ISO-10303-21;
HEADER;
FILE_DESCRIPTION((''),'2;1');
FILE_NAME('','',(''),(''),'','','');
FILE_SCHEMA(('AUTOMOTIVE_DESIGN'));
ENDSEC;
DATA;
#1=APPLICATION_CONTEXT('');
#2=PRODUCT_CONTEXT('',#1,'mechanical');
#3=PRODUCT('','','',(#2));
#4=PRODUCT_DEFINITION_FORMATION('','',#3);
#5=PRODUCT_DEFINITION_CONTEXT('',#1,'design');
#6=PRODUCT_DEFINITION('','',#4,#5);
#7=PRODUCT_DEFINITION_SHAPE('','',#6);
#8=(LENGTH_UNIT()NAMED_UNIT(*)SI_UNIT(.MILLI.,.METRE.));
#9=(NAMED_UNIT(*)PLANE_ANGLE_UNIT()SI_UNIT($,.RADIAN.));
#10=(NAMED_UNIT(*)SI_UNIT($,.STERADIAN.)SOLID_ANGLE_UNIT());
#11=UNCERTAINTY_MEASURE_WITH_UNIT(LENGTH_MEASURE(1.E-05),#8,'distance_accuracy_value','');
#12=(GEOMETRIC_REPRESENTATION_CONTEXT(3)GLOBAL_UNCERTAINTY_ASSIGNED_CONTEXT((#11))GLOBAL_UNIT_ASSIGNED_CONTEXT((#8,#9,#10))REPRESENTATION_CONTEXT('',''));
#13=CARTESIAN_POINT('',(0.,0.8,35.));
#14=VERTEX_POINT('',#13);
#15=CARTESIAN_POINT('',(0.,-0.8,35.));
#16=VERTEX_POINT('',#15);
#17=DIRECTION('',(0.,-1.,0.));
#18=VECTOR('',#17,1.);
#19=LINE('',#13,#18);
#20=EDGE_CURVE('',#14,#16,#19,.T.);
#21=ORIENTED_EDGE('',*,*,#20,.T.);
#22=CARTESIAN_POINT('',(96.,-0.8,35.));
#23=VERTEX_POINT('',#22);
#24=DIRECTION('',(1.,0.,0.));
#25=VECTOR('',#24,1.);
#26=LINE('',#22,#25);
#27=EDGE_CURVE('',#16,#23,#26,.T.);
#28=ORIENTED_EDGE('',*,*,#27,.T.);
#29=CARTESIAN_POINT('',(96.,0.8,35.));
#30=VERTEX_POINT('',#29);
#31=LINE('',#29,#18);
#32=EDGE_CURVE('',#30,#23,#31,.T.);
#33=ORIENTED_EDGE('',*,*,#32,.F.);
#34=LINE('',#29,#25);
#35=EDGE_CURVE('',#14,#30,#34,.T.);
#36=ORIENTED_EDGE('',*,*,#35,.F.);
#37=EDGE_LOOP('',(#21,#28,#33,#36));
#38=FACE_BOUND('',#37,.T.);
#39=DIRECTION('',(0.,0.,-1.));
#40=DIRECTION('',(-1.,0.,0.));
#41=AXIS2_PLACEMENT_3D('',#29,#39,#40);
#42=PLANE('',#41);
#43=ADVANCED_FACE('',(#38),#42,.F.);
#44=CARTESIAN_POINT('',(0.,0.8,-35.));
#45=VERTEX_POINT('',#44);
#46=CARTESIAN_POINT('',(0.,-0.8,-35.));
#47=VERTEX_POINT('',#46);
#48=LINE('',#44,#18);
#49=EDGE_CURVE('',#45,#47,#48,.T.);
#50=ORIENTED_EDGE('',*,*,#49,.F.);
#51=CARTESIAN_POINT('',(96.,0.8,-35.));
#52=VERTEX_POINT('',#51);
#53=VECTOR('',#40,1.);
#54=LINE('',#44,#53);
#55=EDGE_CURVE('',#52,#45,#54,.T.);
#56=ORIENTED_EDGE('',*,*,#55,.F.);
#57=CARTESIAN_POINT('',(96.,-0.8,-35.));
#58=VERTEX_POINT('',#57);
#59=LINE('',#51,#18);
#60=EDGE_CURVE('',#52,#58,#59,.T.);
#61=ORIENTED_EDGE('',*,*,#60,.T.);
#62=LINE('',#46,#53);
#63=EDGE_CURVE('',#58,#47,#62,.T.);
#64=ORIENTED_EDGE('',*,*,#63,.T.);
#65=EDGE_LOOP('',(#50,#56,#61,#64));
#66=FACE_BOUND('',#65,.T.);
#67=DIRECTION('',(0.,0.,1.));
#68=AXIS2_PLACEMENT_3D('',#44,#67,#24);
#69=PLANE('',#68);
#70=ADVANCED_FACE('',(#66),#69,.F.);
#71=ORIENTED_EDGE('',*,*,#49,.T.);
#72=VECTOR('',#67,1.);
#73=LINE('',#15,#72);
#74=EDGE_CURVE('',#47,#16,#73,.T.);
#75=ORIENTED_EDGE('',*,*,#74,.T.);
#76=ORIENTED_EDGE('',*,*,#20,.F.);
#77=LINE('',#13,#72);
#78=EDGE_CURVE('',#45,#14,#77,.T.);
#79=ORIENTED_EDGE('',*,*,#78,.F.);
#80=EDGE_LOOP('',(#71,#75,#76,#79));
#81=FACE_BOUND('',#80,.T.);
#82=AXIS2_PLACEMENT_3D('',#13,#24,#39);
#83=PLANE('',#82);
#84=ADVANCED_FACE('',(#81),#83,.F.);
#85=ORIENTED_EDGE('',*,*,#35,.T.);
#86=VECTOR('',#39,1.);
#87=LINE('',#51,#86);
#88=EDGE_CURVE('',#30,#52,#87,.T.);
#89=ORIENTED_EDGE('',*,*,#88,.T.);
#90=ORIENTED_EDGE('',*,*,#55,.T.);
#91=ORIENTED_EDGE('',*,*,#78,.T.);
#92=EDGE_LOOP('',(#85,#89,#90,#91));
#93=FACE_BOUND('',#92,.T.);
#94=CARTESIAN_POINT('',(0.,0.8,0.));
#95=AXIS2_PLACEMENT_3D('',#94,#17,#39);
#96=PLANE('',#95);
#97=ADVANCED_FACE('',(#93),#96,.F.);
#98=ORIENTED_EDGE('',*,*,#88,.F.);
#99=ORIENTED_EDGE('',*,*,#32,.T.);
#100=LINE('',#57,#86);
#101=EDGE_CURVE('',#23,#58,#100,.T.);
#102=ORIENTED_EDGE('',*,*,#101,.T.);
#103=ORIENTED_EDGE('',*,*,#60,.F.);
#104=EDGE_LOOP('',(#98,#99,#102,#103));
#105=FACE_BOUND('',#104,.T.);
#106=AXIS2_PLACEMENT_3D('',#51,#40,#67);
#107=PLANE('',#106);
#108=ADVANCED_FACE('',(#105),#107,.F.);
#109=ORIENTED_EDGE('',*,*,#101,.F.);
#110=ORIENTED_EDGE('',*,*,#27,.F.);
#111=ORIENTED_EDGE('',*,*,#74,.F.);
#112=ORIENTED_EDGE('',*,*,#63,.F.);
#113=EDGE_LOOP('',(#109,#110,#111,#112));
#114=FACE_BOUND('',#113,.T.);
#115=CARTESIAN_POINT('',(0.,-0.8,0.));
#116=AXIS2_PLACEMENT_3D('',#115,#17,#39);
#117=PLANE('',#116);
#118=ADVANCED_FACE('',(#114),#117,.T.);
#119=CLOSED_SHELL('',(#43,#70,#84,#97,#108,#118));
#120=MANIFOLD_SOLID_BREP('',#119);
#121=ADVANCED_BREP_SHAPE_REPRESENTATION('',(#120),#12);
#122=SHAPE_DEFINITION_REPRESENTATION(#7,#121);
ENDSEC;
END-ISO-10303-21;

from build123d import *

# Parameters (mm, degrees)
SKETCH_1_W        = 96
SKETCH_1_H        = 70
EXTRUDE_333_DEPTH = 0.8


with BuildPart() as part:
    # ｽｹｯﾁ1 → Extrude 333 (new, symmetric)
    with BuildSketch(Plane(origin=(0, 0, 0), x_dir=(1, 0, 0), z_dir=(0, 1, 0))):
        with Locations((48, 0)):
            Rectangle(SKETCH_1_W, SKETCH_1_H)
    extrude(amount=EXTRUDE_333_DEPTH, both=True)


solid = part.part
